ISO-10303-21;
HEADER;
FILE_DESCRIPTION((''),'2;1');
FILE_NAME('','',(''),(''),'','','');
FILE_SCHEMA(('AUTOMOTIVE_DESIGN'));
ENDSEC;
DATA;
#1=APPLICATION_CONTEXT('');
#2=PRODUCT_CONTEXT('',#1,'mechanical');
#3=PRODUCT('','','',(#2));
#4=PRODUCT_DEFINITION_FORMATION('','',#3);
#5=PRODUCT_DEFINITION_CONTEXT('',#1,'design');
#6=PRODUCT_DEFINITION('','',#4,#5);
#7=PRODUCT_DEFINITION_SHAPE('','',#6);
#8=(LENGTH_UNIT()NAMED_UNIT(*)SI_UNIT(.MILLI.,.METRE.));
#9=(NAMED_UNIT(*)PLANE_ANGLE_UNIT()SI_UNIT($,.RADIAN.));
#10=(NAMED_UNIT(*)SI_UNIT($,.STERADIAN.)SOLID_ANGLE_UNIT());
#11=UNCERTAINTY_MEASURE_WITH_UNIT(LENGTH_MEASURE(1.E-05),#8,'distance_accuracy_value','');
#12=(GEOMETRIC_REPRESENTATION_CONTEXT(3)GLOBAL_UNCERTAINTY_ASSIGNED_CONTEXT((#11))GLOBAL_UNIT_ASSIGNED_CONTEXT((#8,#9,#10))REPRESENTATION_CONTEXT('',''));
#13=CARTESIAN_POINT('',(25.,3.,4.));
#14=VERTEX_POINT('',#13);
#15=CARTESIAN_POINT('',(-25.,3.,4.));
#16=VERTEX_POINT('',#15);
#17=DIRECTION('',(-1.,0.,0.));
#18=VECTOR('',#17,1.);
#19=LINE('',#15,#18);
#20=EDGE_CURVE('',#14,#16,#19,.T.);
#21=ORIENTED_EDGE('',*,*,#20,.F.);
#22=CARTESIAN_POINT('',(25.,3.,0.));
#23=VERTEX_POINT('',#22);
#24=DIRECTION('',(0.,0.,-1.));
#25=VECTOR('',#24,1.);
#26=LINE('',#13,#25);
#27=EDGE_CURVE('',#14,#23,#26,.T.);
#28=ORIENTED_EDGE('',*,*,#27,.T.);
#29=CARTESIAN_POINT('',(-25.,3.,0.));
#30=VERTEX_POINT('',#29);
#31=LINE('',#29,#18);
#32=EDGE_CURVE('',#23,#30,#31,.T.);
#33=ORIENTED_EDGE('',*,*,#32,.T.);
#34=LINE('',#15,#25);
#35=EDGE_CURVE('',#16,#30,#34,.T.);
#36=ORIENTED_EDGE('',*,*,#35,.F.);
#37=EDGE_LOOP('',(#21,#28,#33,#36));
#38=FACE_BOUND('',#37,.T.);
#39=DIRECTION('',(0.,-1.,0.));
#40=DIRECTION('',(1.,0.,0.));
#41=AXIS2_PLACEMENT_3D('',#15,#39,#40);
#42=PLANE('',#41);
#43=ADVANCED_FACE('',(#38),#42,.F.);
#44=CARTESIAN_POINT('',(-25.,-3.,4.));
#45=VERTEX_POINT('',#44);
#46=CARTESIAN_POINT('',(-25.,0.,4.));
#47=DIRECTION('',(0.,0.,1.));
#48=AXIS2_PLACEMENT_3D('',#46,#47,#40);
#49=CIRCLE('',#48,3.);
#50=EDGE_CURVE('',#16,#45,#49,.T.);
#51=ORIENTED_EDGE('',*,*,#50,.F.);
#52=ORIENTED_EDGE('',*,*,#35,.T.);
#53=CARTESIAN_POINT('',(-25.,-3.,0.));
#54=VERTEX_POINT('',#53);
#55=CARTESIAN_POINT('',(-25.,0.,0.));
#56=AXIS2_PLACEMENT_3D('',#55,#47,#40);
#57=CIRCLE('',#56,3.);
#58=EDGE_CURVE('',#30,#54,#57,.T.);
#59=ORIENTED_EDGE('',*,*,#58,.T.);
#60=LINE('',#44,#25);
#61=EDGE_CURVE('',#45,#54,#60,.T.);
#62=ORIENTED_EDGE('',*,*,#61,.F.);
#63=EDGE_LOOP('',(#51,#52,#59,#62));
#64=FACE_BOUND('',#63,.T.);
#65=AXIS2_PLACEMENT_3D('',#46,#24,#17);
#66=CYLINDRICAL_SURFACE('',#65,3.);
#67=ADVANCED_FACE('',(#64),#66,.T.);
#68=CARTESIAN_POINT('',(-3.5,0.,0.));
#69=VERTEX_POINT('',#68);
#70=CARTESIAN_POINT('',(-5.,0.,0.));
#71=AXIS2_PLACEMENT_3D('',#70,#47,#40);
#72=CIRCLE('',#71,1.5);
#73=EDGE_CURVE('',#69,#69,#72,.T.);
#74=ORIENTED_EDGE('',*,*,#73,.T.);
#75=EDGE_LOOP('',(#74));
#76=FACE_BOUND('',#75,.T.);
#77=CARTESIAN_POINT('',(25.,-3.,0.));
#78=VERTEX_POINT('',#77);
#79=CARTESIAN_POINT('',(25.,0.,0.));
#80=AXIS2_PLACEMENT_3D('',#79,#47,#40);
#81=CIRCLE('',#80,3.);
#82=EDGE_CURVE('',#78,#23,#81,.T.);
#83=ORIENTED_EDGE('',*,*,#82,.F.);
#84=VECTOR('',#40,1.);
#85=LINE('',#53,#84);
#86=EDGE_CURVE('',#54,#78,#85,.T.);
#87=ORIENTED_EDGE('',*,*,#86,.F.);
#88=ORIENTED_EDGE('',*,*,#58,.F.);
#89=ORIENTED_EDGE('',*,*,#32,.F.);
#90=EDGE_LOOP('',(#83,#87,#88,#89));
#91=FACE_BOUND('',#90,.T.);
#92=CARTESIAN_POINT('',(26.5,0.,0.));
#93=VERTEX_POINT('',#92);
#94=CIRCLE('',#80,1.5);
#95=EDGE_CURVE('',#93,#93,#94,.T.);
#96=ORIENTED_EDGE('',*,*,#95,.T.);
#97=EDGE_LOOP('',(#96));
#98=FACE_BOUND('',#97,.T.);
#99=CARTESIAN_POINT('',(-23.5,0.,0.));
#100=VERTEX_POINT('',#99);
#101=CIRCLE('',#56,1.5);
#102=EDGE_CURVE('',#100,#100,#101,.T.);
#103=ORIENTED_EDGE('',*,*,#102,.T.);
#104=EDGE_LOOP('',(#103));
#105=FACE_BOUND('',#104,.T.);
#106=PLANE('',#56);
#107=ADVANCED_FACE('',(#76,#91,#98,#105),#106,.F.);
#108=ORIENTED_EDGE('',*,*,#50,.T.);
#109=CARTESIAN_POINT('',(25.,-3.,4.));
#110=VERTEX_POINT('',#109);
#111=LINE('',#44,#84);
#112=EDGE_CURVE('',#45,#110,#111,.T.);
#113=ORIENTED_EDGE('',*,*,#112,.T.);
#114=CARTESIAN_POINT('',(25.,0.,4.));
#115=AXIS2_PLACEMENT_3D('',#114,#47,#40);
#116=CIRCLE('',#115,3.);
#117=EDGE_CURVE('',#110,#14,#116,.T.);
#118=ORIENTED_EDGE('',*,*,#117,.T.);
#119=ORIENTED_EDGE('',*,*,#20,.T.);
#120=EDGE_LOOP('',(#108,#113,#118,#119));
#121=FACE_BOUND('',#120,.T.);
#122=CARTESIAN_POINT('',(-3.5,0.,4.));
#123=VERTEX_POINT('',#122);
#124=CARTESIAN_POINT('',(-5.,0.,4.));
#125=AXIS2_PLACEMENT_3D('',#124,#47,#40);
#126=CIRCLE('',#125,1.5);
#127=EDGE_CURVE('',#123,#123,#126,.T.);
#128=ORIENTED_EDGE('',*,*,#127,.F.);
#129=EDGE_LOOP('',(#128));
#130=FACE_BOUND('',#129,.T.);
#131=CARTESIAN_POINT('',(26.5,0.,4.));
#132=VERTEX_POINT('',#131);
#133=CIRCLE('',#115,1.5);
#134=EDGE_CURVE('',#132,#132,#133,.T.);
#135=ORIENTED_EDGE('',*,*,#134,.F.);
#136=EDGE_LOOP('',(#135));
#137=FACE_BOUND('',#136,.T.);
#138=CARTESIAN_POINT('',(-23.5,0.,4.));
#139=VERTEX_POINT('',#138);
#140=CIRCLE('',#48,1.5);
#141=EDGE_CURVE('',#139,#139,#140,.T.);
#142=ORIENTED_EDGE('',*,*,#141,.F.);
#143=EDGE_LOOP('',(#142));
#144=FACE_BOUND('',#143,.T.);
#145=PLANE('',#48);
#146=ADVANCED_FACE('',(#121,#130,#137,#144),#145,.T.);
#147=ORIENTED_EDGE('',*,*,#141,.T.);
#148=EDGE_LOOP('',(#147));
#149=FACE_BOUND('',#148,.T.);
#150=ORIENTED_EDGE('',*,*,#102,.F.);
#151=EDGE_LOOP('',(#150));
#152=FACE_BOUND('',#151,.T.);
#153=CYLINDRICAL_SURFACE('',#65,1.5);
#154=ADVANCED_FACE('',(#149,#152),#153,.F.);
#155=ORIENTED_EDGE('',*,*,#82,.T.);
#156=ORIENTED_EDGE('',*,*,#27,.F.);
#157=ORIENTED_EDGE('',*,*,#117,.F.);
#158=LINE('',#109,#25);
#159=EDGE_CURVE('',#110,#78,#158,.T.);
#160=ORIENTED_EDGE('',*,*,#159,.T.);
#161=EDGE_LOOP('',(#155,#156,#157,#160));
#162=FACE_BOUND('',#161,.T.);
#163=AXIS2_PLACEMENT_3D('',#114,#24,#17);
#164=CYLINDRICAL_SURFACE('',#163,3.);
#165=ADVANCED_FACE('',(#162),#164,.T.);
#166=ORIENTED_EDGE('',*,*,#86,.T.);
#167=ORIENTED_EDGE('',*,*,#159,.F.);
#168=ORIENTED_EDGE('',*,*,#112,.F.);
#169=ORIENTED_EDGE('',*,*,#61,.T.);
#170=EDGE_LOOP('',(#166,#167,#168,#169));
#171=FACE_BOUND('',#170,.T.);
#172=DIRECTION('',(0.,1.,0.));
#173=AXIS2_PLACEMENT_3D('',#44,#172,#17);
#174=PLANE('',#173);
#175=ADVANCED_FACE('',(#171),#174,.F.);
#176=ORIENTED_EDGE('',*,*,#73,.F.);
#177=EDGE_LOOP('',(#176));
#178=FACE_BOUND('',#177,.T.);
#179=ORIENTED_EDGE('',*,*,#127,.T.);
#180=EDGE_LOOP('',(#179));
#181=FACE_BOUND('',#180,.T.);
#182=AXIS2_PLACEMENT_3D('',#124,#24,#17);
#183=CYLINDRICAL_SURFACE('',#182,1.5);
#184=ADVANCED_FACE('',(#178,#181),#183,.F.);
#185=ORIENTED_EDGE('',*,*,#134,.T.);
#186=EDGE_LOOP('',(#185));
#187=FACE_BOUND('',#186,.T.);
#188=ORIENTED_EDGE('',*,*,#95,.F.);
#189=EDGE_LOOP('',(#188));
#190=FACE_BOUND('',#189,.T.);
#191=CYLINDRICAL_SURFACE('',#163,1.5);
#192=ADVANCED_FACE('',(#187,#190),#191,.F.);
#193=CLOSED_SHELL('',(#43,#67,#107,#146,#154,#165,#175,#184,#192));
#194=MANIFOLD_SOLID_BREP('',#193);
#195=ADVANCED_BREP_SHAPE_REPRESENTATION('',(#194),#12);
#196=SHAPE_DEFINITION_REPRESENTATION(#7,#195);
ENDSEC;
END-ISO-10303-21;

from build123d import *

# Parameters (mm, degrees)
SKETCH1_R           = 1.5
BOSS_EXTRUDE1_DEPTH = 4


with BuildPart() as part:
    # Sketch1 → Boss-Extrude1 (new body)
    with BuildSketch(Plane.XY):
        with BuildLine():
            Line((-25, 3), (25, 3))
            ThreePointArc((25, 3), (28, 0), (25, -3))
            Line((25, -3), (-25, -3))
            ThreePointArc((-25, -3), (-28, 0), (-25, 3))
        make_face()
        with Locations((-25, 0)):
            Circle(SKETCH1_R, mode=Mode.SUBTRACT)
        with Locations((25, 0)):
            Circle(SKETCH1_R, mode=Mode.SUBTRACT)
        with Locations((-5, 0)):
            Circle(SKETCH1_R, mode=Mode.SUBTRACT)
    extrude(amount=BOSS_EXTRUDE1_DEPTH)


solid = part.part
